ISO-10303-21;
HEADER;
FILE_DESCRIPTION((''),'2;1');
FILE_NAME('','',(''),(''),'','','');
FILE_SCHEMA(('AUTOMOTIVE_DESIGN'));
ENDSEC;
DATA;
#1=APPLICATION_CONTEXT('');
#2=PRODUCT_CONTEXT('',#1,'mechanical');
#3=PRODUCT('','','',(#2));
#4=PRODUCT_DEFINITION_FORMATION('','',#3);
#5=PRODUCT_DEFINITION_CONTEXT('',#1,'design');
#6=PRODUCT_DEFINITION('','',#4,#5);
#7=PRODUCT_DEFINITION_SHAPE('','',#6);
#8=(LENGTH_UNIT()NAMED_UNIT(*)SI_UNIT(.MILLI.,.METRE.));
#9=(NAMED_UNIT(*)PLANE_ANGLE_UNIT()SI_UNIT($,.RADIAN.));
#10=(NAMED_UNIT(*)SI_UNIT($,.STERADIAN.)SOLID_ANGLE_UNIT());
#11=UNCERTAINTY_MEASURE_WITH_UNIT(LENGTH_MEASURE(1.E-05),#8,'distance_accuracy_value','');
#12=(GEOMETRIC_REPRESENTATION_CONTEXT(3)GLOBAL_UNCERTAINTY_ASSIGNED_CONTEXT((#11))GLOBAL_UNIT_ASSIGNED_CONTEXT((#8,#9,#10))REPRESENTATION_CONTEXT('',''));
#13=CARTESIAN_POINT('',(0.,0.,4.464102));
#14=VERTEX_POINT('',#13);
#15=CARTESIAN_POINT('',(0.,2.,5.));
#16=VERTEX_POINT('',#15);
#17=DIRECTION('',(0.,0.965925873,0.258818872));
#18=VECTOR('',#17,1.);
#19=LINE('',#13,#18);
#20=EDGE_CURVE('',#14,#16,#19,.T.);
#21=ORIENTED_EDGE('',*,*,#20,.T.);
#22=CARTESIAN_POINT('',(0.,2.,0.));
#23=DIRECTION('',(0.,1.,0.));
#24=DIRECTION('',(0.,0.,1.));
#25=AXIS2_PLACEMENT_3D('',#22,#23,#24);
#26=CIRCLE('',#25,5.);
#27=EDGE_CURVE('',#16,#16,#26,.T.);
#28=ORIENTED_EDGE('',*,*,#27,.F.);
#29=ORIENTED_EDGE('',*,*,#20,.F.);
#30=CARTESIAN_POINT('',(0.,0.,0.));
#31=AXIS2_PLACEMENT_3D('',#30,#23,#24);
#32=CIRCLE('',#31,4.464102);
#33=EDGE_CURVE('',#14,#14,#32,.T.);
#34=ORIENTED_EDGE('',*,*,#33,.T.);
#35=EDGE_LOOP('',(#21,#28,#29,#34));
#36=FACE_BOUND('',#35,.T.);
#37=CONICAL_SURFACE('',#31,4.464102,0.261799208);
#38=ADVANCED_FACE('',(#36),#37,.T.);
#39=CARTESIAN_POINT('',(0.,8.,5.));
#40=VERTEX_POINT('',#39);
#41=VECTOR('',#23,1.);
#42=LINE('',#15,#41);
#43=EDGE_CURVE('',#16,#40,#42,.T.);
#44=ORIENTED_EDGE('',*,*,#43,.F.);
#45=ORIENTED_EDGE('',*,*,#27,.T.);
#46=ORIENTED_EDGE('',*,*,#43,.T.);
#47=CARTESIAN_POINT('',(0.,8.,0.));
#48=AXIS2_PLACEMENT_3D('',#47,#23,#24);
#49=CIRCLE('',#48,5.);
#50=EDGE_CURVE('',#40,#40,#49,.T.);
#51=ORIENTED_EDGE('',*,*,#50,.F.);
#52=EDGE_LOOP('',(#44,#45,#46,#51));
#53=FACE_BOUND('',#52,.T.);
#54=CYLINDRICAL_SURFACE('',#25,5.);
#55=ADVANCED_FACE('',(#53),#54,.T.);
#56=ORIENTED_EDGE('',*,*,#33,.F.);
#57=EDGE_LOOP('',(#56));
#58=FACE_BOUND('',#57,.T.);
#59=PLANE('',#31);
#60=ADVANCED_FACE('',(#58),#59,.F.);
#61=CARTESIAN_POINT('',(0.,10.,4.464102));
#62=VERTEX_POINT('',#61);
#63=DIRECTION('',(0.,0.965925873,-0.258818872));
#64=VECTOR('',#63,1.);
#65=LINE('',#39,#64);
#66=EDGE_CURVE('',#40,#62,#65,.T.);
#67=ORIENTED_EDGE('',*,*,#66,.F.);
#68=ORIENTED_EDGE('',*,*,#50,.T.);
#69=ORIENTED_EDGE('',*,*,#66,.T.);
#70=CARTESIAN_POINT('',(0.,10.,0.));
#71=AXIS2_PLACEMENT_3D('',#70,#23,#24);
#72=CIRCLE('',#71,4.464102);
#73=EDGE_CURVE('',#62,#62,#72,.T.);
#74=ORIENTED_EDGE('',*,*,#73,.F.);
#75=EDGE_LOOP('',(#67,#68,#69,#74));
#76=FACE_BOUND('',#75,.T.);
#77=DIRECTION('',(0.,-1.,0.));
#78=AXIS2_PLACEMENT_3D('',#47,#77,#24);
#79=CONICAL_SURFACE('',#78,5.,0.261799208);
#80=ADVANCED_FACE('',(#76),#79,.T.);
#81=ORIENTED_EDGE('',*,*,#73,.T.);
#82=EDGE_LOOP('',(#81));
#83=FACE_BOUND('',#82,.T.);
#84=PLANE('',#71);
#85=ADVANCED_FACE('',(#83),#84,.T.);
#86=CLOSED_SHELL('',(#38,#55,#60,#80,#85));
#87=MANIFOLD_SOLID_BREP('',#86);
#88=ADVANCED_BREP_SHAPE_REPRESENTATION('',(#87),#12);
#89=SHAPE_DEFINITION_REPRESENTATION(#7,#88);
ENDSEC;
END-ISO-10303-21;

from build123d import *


with BuildPart() as part:
    # Sketch → Revolution (revolve)
    with BuildSketch(Plane.YZ):
        Polygon((0, 0), (0, 4.464102), (2, 5), (8, 5), (10, 4.464102), (10, 0), align=None)
    revolve(axis=Axis((0, 0, 0), (0, 1, 0)))


solid = part.part
